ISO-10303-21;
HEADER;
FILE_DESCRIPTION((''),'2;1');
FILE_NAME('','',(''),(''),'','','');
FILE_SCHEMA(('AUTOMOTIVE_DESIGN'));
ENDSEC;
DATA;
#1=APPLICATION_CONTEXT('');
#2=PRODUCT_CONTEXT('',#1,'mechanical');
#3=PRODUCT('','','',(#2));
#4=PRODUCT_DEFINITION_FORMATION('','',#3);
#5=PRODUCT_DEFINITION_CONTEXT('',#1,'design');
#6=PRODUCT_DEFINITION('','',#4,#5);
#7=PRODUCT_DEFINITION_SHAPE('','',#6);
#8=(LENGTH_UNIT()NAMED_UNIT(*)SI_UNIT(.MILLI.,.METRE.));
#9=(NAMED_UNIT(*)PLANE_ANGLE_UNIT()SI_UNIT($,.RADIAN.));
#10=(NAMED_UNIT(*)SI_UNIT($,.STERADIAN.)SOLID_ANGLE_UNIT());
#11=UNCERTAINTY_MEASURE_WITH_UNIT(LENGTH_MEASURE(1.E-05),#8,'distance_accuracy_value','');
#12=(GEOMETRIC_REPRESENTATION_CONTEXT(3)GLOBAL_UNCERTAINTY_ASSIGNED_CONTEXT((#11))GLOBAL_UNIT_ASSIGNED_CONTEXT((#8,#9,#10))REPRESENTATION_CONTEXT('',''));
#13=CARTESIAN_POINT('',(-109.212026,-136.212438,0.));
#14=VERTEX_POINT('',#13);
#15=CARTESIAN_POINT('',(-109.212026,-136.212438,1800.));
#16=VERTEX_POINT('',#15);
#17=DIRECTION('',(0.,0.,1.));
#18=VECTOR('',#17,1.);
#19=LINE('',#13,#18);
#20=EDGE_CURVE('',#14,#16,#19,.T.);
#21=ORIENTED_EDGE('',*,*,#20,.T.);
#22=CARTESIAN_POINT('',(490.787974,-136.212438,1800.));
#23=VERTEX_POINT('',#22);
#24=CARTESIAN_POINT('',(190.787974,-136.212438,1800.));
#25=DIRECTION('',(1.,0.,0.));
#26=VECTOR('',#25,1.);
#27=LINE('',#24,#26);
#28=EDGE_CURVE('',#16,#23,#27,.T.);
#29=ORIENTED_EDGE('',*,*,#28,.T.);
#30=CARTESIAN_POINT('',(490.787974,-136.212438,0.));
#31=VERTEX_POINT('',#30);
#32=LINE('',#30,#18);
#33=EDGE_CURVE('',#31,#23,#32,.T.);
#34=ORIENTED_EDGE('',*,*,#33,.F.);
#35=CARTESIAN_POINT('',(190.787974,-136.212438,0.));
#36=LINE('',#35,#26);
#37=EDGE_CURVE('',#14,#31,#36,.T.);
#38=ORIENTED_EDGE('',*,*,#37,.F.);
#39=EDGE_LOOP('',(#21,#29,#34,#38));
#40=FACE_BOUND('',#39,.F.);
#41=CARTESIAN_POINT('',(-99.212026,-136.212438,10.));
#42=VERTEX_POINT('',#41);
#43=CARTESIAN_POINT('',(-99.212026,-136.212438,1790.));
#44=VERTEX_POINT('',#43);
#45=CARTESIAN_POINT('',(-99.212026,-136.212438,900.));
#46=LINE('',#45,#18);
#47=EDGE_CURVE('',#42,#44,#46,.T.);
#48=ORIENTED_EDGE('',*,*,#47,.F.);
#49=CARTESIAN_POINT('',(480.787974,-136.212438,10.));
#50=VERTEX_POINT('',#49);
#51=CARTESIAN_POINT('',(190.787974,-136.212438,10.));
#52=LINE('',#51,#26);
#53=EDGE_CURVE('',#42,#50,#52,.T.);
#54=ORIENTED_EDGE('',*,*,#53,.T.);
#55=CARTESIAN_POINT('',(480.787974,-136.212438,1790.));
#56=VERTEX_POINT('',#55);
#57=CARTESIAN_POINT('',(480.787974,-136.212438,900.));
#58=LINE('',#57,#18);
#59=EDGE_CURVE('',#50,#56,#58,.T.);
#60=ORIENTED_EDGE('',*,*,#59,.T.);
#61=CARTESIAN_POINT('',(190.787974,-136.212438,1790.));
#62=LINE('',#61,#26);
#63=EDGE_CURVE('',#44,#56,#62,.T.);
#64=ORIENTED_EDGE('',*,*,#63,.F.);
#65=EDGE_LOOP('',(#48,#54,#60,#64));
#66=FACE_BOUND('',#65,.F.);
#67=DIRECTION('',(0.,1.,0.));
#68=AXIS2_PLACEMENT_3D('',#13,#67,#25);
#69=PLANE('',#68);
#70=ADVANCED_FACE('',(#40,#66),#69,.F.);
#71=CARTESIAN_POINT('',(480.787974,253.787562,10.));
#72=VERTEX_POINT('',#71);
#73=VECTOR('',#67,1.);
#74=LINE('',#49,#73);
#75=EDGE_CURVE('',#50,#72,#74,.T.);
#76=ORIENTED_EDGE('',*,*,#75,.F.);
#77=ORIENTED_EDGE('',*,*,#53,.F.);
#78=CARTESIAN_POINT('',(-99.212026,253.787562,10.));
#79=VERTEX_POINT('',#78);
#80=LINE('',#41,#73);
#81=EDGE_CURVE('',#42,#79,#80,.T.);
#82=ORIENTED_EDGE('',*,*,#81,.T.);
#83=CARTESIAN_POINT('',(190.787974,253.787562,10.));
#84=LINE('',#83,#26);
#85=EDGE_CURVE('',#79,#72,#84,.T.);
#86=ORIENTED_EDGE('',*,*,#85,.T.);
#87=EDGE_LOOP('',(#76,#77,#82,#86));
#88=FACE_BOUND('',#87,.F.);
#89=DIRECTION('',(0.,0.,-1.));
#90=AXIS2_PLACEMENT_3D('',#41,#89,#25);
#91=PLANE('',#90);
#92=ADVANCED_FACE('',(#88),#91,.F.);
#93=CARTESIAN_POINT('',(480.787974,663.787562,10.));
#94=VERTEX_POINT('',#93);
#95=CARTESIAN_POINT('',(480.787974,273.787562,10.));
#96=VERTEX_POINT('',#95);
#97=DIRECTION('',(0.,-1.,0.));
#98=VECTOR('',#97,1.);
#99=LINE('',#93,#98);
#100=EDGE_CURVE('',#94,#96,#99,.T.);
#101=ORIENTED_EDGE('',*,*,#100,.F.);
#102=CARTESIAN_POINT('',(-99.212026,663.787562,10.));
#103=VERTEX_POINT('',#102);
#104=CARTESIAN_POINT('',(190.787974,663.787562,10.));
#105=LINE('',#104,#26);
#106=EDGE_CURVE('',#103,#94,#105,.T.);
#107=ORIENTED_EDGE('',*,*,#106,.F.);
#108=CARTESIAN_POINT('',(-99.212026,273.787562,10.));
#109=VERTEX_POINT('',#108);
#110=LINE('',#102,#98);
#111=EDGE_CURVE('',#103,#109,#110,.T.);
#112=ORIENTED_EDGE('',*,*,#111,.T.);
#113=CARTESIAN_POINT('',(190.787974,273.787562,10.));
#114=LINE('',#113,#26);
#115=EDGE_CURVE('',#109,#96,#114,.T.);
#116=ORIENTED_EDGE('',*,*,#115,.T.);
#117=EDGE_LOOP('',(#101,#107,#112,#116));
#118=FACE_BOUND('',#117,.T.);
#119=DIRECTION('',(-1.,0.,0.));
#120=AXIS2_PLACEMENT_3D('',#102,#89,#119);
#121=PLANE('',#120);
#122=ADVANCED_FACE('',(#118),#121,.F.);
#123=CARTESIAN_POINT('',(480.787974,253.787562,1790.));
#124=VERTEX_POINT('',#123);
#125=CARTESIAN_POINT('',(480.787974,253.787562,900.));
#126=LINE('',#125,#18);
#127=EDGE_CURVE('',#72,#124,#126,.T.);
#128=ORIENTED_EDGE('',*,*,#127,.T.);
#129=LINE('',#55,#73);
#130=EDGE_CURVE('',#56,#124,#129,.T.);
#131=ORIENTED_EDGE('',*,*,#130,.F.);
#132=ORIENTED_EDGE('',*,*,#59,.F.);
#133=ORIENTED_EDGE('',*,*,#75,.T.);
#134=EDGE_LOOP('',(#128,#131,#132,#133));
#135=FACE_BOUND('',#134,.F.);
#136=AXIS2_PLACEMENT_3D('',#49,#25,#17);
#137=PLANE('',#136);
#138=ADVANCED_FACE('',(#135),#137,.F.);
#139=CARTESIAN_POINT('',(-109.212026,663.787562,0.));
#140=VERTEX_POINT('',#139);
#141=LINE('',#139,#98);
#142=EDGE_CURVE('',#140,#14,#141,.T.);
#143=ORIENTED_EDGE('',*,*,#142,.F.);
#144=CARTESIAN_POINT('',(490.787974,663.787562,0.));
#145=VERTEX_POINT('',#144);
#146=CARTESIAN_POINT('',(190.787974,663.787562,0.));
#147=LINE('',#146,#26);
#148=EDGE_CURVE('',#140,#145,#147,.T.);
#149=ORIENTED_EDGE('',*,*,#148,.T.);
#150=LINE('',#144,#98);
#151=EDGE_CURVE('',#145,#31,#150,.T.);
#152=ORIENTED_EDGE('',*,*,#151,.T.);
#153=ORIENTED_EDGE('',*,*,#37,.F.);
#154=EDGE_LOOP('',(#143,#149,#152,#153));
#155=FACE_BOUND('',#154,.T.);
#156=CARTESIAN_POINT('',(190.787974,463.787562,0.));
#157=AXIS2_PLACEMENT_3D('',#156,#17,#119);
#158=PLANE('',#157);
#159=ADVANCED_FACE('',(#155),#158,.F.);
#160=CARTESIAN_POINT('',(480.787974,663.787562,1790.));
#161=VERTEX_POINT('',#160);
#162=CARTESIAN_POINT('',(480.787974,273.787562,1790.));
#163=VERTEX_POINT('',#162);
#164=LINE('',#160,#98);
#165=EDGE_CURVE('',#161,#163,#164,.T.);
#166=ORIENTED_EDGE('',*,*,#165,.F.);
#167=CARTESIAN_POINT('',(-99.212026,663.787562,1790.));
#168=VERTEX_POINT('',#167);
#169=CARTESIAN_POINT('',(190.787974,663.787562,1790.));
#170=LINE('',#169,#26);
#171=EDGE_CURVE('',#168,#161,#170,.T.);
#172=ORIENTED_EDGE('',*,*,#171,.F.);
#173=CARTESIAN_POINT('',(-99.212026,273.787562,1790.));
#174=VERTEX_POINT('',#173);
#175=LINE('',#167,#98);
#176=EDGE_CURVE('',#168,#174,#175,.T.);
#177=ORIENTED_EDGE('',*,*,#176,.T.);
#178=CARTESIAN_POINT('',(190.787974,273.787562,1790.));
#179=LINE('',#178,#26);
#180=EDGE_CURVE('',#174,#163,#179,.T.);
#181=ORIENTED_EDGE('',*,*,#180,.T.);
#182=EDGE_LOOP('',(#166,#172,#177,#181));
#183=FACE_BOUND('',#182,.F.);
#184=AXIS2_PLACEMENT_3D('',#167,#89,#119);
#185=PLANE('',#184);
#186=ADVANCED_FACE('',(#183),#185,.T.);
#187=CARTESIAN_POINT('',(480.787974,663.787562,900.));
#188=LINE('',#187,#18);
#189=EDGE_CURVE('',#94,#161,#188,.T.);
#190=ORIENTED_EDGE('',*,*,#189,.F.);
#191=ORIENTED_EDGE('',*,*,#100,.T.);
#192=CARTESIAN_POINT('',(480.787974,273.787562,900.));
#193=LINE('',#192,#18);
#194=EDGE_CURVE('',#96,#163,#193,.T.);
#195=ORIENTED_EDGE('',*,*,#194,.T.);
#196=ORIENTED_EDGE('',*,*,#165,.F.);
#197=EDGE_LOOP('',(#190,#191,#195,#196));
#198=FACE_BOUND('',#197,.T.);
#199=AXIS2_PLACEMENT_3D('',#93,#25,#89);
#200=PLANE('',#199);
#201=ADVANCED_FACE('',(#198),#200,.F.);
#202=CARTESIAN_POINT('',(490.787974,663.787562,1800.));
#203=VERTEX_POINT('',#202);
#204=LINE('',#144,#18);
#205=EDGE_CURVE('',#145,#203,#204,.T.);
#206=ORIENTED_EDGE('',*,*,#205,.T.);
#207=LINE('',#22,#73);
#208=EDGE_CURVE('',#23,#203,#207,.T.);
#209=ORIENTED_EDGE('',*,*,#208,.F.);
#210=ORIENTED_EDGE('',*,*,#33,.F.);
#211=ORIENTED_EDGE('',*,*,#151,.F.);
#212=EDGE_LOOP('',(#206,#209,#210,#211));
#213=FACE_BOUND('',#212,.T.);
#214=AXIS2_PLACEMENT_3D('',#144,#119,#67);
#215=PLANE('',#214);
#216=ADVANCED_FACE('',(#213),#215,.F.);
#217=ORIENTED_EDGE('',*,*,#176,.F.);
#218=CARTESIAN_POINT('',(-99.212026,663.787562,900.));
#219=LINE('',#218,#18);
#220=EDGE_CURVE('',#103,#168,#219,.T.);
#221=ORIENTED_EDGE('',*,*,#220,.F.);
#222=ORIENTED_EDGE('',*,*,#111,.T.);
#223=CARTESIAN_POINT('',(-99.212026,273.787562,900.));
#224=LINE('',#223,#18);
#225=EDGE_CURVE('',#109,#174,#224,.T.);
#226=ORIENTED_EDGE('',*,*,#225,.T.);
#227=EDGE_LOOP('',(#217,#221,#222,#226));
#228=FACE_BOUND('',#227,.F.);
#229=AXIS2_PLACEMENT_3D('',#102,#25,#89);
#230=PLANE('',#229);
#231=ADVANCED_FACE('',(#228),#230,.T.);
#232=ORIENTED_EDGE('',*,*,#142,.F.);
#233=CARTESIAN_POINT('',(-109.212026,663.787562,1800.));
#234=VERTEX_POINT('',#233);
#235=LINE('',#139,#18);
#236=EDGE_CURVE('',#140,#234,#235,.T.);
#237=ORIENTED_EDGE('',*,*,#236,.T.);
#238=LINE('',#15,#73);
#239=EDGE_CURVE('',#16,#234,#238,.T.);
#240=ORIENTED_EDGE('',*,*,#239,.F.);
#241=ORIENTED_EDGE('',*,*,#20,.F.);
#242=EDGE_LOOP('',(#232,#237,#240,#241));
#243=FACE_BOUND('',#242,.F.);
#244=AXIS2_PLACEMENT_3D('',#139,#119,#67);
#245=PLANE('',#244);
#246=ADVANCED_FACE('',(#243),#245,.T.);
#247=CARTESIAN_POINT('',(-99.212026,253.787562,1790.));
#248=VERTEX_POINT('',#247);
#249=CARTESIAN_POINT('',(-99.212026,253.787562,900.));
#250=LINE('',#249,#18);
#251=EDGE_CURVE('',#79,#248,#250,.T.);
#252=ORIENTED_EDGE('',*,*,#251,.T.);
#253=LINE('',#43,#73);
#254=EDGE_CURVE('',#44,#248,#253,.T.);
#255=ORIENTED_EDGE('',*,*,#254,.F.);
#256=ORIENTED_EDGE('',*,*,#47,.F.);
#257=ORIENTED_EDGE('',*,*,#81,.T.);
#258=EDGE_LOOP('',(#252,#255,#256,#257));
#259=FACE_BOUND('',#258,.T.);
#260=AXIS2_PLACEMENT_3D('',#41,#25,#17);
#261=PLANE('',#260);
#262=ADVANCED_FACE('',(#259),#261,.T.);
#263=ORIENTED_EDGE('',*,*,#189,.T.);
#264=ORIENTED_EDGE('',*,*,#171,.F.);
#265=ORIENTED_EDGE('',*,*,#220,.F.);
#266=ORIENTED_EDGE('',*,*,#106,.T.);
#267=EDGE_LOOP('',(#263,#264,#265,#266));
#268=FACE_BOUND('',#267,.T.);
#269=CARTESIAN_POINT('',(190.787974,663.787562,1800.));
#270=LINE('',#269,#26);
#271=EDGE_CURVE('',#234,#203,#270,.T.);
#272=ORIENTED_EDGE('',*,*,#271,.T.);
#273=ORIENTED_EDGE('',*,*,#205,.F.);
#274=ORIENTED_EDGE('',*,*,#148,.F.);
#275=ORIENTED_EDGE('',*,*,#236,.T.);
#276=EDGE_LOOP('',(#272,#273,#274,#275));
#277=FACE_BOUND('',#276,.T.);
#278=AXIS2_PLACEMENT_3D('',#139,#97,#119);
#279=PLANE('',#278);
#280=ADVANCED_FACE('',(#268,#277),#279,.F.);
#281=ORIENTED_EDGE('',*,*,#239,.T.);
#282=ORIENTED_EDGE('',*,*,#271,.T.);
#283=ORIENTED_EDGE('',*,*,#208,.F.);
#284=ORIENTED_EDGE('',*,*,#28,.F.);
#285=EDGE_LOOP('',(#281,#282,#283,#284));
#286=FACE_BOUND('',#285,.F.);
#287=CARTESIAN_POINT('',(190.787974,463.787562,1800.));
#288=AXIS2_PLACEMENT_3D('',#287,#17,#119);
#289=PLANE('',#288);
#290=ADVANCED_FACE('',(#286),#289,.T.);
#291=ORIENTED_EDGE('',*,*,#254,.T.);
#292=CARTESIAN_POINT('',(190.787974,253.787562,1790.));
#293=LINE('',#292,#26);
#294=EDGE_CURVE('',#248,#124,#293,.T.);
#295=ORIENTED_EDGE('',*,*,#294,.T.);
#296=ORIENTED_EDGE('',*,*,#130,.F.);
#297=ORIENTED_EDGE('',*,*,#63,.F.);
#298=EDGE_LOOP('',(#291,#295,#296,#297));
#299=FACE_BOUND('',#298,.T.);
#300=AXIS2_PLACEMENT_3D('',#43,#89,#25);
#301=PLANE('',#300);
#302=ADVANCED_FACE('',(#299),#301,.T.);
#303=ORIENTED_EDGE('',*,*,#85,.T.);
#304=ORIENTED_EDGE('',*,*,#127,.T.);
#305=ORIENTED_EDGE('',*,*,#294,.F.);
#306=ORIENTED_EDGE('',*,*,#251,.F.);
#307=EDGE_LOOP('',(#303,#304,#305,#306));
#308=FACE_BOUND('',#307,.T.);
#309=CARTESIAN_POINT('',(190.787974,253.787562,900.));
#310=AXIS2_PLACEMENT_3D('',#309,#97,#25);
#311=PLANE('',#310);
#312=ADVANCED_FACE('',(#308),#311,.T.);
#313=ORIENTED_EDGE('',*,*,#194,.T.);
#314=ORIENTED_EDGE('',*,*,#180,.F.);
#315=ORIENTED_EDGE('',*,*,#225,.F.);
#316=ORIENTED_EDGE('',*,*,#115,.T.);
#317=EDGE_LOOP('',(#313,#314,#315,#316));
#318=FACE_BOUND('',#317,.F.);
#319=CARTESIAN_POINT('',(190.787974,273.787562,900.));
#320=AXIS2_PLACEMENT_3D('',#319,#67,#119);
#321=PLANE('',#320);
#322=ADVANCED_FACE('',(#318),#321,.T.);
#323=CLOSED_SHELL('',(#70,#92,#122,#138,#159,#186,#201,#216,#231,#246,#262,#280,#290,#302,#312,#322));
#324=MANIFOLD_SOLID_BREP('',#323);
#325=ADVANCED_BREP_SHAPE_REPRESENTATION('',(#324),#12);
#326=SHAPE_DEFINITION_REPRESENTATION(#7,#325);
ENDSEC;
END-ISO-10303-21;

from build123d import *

# Parameters (mm, degrees)
F0_W     = 600
F0_H     = 400
F1_DEPTH = 1800
F2_W     = 580
F2_H     = 1780
F3_DEPTH = 390


with BuildPart() as f1:
    # F0 (on Top) → F1 (new body)
    with BuildSketch(Plane.XY):
        with Locations((190.787974, 63.787562)):
            Rectangle(F0_W, F0_H)
    extrude(amount=F1_DEPTH)

    # F2 (on face) → F3 (cut)
    with BuildSketch(Plane.XZ.offset(136.212438)):
        with Locations((190.787974, 900)):
            Rectangle(F2_W, F2_H)
    extrude(amount=-F3_DEPTH, mode=Mode.SUBTRACT)

    # F4: F1 across face


with BuildPart() as f1_1:
    add(f1.part)
    add(f1.part.mirror(Plane(origin=(190.787974, 263.787562, 900), x_dir=(-1, 0, 0), z_dir=(0, 1, 0))))


solid = f1_1.part
